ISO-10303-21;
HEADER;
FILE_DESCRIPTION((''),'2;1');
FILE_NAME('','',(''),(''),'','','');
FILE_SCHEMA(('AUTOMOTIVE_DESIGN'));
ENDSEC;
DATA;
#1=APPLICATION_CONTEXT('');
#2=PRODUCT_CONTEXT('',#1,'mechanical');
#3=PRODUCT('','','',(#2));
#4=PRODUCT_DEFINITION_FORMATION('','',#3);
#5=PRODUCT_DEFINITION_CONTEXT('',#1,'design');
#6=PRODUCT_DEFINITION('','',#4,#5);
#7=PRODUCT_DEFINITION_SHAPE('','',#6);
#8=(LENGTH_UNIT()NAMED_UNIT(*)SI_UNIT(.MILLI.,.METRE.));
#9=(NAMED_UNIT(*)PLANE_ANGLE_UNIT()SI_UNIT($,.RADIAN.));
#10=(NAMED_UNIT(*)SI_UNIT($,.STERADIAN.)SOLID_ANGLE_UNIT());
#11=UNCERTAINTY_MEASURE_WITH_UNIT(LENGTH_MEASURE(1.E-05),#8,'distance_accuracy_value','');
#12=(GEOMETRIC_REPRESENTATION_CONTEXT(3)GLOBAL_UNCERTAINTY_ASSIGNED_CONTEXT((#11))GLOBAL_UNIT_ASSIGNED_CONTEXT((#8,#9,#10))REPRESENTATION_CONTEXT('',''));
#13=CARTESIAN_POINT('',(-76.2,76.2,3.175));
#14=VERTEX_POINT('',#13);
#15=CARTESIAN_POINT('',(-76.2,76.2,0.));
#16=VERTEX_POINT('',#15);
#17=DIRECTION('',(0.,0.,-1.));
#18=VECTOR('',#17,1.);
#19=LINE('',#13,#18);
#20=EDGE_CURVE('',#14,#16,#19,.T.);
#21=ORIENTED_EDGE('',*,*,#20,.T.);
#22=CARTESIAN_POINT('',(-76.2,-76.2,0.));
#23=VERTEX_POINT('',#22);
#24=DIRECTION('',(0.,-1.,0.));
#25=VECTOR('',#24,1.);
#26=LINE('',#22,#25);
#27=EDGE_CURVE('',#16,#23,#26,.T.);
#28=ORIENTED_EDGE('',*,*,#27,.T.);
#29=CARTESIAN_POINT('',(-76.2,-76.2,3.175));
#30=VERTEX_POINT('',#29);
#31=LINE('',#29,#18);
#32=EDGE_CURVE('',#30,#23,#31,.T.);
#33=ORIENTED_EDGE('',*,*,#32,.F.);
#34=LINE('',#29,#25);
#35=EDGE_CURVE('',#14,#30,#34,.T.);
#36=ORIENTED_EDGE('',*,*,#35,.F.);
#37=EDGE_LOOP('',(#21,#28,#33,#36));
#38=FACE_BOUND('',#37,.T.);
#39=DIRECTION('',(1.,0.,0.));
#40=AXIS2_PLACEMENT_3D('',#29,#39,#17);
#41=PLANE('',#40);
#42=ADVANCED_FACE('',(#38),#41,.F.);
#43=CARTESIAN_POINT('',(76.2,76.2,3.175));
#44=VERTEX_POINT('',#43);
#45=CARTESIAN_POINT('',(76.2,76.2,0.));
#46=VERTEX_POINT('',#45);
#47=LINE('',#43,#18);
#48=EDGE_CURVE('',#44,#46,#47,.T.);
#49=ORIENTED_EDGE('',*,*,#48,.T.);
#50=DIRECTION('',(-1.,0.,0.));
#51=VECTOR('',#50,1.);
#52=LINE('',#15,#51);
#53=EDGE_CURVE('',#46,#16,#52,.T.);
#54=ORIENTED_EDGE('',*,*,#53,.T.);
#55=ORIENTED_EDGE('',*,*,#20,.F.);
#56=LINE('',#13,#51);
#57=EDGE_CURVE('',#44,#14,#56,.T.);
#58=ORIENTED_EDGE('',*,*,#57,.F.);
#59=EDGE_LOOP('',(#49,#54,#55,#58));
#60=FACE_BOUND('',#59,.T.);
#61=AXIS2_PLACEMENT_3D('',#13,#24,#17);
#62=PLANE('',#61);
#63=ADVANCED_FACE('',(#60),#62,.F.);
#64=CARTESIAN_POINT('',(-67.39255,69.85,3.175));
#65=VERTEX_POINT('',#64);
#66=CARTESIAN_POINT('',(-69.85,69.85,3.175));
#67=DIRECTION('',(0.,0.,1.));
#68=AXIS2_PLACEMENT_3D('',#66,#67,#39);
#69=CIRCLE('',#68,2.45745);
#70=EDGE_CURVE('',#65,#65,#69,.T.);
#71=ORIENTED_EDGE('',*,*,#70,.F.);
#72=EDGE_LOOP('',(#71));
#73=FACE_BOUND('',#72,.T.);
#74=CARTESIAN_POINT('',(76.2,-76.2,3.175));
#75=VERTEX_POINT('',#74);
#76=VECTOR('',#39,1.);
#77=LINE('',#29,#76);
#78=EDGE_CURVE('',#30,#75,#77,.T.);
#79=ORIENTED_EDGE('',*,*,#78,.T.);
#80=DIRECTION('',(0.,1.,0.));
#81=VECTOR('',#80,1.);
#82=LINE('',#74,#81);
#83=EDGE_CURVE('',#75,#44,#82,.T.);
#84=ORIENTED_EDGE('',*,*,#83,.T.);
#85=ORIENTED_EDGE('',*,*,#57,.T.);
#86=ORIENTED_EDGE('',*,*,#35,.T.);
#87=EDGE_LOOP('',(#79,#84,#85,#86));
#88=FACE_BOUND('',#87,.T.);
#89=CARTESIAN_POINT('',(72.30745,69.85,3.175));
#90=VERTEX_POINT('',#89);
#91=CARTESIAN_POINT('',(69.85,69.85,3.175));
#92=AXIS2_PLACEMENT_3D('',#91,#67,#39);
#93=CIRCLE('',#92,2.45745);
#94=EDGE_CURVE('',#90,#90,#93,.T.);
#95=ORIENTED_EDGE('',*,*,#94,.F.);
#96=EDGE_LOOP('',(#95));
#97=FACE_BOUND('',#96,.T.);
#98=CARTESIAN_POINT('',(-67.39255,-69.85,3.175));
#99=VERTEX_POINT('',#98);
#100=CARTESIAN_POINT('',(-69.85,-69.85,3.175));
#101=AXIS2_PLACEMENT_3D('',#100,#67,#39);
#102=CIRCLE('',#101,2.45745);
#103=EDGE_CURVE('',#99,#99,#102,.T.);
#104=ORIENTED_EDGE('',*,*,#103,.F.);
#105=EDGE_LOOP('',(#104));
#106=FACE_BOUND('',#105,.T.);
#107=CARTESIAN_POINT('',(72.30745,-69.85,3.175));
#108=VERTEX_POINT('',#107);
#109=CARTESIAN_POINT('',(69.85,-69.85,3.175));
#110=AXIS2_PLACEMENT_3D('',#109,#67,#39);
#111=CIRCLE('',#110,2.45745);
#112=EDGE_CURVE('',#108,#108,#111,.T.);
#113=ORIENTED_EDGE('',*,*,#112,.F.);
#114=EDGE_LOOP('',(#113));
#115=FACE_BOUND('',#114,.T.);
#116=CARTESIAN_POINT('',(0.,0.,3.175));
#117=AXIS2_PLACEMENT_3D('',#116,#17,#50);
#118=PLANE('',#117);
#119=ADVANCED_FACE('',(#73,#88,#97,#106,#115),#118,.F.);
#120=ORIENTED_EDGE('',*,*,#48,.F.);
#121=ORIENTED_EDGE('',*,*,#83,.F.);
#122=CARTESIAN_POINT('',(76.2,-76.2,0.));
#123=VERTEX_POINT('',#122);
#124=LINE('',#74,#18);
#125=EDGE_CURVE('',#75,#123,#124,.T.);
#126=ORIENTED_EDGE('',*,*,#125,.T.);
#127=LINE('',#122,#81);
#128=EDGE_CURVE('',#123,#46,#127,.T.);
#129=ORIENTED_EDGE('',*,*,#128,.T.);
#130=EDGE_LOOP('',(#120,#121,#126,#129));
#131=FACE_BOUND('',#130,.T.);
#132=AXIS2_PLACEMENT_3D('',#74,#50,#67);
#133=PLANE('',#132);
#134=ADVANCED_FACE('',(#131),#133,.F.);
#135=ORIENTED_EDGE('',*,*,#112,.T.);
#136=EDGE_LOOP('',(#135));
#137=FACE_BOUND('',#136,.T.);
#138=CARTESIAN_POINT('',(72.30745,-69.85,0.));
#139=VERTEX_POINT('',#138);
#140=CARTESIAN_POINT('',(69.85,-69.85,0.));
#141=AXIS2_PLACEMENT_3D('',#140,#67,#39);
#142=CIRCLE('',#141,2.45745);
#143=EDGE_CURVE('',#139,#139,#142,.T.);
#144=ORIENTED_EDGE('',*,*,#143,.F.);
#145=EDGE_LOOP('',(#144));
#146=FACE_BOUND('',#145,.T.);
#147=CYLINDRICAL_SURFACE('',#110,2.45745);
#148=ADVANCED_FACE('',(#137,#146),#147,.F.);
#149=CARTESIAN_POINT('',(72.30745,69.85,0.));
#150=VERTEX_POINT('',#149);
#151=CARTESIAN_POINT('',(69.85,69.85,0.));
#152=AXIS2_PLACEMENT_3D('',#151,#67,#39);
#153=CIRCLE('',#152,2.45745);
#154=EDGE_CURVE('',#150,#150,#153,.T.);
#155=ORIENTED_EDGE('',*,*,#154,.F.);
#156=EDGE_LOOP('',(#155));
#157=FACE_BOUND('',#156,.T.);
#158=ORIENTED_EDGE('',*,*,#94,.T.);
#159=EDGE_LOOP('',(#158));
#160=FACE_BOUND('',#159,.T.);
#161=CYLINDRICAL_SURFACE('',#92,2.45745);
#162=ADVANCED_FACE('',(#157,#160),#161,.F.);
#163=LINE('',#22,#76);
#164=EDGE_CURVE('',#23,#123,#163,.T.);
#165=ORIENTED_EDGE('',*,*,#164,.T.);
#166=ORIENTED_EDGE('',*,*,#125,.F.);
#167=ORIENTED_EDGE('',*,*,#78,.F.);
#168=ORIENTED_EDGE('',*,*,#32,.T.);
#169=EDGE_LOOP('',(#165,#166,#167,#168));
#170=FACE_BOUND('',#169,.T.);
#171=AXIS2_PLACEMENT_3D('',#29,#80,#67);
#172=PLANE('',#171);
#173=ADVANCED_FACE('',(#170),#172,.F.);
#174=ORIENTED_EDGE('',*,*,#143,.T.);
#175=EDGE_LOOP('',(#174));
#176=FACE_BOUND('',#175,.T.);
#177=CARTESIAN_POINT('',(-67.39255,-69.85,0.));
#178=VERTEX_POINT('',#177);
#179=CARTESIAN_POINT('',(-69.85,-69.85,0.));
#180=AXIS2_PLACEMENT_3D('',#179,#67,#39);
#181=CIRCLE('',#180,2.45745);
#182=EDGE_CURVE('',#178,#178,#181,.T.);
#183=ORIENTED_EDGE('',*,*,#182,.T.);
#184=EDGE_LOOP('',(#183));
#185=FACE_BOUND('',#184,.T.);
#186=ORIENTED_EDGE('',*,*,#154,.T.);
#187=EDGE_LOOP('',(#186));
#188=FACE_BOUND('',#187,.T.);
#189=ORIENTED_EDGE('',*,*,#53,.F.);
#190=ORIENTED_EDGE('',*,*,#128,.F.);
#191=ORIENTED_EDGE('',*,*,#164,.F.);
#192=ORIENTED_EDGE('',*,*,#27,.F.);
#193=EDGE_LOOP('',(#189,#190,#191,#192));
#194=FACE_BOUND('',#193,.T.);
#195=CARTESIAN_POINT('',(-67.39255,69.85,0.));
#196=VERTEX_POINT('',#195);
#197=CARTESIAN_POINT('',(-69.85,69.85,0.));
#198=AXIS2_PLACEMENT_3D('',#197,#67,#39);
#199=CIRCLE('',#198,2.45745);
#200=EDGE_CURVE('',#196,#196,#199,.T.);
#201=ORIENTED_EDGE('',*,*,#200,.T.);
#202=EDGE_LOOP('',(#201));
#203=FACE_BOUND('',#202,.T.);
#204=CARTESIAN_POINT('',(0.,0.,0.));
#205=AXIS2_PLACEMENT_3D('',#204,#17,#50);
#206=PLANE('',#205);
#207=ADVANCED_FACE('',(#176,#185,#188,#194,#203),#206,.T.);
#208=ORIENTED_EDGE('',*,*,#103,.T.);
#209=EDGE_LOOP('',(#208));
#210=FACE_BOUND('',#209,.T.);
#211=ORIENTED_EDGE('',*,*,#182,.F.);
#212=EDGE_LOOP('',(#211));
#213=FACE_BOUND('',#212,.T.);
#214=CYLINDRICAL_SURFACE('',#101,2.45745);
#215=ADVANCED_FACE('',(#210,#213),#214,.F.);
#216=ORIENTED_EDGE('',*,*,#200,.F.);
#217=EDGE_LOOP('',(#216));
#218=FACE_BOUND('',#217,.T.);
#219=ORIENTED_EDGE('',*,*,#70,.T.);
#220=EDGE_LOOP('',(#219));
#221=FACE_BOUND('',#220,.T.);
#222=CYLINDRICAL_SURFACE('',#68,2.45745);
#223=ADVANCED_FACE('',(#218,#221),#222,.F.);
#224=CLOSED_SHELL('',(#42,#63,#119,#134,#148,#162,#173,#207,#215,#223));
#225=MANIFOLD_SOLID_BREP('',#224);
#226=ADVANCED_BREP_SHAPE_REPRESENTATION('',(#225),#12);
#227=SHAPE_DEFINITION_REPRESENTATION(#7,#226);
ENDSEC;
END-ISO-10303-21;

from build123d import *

# Parameters (mm, degrees)
SKETCH1_W                    = 152.4
SKETCH1_H                    = 152.4
BOSS_EXTRUDE1_DEPTH          = 3.175
F_10_0_1935_DIAMETER_HOLE1_D = 4.9149


with BuildPart() as part:
    # Sketch1 → Boss-Extrude1 (new body)
    with BuildSketch(Plane.XY):
        Rectangle(SKETCH1_W, SKETCH1_H)
    extrude(amount=BOSS_EXTRUDE1_DEPTH)

    # #10 (0.1935) Diameter Hole1 (through all)
    with Locations(Plane.XY.offset(3.175)):
        with Locations((69.85, -69.85), (-69.85, -69.85), (-69.85, 69.85), (69.85, 69.85)):
            Hole(F_10_0_1935_DIAMETER_HOLE1_D / 2)


solid = part.part
